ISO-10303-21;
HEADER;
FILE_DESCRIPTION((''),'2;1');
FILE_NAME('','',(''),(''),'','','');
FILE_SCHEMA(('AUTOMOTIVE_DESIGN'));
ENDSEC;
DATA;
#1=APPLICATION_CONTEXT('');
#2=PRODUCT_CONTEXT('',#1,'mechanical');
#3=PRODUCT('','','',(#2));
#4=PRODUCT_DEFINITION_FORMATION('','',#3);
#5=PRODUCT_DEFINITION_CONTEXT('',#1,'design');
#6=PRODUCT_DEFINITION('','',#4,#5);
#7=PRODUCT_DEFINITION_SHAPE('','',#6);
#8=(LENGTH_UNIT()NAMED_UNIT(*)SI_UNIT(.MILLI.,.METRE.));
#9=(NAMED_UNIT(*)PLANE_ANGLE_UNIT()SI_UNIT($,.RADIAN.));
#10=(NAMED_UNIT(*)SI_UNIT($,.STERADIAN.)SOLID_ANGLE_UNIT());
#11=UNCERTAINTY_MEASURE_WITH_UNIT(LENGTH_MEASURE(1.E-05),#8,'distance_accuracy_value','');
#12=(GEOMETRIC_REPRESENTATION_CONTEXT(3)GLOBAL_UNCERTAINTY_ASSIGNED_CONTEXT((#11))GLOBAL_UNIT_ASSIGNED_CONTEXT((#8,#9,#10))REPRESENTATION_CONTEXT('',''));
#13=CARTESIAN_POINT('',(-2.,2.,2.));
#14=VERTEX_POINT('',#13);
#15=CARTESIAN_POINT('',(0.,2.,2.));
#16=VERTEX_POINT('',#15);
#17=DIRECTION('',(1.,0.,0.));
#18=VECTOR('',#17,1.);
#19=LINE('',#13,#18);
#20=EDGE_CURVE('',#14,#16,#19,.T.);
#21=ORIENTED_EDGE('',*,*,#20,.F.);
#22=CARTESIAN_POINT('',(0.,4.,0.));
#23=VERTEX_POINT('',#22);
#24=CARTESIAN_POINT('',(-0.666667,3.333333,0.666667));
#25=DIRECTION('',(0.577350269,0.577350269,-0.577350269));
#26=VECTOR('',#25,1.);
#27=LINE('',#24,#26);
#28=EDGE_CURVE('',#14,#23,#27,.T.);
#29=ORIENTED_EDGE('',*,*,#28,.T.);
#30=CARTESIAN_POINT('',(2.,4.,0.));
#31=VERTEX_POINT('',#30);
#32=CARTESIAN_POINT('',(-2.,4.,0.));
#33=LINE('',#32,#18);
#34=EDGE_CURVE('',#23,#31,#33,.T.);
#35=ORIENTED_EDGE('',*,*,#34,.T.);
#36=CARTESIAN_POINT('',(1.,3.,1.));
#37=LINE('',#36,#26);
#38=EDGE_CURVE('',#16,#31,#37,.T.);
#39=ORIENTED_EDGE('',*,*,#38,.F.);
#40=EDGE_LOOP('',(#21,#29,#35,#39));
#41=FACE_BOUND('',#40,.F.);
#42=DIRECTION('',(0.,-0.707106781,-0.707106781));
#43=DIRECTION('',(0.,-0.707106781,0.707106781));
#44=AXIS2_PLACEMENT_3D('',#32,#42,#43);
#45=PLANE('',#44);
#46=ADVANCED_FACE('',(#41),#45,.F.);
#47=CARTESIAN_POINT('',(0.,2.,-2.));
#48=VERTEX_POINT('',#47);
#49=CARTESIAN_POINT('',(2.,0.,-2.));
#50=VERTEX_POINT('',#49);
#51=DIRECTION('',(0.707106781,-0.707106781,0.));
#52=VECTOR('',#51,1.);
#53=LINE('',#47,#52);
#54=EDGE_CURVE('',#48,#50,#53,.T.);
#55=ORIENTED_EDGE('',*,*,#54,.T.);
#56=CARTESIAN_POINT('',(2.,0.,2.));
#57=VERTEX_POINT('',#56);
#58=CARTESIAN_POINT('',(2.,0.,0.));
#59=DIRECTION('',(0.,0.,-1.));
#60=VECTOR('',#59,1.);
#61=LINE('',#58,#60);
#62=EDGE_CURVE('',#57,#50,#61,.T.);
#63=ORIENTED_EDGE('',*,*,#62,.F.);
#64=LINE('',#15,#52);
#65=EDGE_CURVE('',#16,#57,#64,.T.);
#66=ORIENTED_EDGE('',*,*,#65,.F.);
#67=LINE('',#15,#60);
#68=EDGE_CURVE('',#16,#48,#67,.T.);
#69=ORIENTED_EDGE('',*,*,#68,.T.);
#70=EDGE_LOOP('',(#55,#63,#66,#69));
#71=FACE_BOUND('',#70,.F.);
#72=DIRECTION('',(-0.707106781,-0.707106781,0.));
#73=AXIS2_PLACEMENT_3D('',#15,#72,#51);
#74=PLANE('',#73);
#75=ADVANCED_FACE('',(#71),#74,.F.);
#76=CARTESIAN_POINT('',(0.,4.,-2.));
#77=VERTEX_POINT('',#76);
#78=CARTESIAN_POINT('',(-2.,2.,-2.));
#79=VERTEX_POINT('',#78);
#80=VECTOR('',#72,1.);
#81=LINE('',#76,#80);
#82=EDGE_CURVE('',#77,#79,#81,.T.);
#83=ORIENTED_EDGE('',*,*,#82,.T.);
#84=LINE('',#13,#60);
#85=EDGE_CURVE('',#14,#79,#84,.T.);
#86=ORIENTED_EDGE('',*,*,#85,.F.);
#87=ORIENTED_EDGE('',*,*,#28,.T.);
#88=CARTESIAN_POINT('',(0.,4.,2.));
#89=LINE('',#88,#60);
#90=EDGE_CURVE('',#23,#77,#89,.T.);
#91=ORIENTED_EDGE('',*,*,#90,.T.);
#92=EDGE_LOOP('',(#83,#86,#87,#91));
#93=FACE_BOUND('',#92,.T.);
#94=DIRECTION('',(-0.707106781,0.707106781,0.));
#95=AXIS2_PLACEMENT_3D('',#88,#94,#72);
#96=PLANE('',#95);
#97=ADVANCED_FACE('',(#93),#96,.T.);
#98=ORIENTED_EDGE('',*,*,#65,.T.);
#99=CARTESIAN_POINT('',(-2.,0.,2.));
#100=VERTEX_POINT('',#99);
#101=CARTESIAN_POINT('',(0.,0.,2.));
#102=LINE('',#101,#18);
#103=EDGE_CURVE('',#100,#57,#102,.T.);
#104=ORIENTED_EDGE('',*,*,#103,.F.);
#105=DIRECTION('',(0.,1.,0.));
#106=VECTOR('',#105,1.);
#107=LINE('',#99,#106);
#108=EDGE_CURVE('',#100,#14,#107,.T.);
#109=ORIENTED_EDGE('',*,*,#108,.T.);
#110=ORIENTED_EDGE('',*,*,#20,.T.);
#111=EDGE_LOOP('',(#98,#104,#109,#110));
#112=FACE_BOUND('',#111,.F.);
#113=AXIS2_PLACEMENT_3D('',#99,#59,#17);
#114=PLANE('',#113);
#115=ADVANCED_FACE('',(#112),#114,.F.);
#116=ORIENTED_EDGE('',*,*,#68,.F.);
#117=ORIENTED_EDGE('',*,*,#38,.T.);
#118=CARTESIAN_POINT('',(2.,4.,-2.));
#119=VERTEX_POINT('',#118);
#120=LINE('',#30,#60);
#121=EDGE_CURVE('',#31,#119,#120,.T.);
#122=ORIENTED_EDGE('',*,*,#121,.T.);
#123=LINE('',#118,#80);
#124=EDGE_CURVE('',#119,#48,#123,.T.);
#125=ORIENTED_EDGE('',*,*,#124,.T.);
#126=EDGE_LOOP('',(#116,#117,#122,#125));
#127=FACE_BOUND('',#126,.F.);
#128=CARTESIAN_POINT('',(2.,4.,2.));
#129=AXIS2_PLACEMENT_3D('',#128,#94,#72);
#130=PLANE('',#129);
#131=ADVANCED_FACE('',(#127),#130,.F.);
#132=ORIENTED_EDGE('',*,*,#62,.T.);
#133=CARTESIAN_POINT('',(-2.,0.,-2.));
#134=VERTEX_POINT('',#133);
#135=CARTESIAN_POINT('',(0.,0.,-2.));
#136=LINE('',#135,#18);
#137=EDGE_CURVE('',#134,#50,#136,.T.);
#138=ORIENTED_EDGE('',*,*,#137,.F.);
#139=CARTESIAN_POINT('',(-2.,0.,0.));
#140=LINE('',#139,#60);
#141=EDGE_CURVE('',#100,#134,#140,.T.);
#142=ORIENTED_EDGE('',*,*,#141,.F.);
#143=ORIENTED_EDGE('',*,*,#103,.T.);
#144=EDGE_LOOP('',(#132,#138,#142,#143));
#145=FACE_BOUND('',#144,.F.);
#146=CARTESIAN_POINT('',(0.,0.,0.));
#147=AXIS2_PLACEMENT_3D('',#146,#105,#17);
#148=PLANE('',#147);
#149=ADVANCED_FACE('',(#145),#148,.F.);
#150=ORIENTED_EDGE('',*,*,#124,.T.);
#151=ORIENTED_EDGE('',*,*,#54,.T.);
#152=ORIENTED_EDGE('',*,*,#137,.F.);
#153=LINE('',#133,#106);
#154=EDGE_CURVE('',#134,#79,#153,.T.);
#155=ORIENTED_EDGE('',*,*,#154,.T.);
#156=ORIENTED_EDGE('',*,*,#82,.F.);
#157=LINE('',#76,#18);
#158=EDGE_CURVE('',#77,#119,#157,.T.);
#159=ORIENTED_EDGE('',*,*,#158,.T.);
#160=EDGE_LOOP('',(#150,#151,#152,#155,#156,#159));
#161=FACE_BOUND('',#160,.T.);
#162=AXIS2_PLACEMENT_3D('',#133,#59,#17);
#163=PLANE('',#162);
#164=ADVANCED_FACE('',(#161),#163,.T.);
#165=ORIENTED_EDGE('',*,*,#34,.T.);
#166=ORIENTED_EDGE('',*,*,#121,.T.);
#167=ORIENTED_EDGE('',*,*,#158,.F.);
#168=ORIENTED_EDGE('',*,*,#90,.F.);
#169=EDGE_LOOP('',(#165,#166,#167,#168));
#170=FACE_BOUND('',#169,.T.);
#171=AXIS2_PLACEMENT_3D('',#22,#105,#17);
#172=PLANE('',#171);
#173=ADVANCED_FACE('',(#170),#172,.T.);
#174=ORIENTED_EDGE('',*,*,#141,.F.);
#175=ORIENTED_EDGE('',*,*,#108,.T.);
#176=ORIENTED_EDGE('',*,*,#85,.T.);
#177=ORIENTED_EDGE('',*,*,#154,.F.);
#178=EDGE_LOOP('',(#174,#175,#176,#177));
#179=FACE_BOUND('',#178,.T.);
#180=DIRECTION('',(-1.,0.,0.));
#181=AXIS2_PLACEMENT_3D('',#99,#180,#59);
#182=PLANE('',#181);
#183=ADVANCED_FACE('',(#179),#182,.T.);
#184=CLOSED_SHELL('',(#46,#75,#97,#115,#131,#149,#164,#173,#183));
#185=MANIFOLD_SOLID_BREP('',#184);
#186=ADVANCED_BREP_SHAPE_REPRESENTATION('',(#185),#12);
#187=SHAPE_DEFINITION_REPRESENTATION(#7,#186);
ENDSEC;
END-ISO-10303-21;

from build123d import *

# Parameters (mm, degrees)
SKETCH1_W           = 4
SKETCH1_H           = 4
BOSS_EXTRUDE1_DEPTH = 4
CUT_EXTRUDE1_DEPTH  = 4
CUT_EXTRUDE2_DEPTH  = 4


with BuildPart() as part:
    # Sketch1 → Boss-Extrude1 (new body)
    with BuildSketch(Plane(origin=(0, 0, 0), x_dir=(1, 0, 0), z_dir=(0, 1, 0))):
        Rectangle(SKETCH1_W, SKETCH1_H)
    extrude(amount=BOSS_EXTRUDE1_DEPTH)

    # Sketch2 → Cut-Extrude1 (cut)
    with BuildSketch(Plane.ZY.offset(2)):
        Polygon((0, 4), (2, 2), (2, 4), align=None)
    extrude(amount=-CUT_EXTRUDE1_DEPTH, mode=Mode.SUBTRACT)

    # Sketch3 → Cut-Extrude2 (cut)
    with BuildSketch(Plane.XY.offset(2)):
        Polygon((-2, 4), (0, 4), (-2, 2), align=None)
        Polygon((2, 4), (0, 2), (2, 2), align=None)
        Polygon((2, 2), (0, 2), (2, 0), align=None)
    extrude(amount=-CUT_EXTRUDE2_DEPTH, mode=Mode.SUBTRACT)


solid = part.part
